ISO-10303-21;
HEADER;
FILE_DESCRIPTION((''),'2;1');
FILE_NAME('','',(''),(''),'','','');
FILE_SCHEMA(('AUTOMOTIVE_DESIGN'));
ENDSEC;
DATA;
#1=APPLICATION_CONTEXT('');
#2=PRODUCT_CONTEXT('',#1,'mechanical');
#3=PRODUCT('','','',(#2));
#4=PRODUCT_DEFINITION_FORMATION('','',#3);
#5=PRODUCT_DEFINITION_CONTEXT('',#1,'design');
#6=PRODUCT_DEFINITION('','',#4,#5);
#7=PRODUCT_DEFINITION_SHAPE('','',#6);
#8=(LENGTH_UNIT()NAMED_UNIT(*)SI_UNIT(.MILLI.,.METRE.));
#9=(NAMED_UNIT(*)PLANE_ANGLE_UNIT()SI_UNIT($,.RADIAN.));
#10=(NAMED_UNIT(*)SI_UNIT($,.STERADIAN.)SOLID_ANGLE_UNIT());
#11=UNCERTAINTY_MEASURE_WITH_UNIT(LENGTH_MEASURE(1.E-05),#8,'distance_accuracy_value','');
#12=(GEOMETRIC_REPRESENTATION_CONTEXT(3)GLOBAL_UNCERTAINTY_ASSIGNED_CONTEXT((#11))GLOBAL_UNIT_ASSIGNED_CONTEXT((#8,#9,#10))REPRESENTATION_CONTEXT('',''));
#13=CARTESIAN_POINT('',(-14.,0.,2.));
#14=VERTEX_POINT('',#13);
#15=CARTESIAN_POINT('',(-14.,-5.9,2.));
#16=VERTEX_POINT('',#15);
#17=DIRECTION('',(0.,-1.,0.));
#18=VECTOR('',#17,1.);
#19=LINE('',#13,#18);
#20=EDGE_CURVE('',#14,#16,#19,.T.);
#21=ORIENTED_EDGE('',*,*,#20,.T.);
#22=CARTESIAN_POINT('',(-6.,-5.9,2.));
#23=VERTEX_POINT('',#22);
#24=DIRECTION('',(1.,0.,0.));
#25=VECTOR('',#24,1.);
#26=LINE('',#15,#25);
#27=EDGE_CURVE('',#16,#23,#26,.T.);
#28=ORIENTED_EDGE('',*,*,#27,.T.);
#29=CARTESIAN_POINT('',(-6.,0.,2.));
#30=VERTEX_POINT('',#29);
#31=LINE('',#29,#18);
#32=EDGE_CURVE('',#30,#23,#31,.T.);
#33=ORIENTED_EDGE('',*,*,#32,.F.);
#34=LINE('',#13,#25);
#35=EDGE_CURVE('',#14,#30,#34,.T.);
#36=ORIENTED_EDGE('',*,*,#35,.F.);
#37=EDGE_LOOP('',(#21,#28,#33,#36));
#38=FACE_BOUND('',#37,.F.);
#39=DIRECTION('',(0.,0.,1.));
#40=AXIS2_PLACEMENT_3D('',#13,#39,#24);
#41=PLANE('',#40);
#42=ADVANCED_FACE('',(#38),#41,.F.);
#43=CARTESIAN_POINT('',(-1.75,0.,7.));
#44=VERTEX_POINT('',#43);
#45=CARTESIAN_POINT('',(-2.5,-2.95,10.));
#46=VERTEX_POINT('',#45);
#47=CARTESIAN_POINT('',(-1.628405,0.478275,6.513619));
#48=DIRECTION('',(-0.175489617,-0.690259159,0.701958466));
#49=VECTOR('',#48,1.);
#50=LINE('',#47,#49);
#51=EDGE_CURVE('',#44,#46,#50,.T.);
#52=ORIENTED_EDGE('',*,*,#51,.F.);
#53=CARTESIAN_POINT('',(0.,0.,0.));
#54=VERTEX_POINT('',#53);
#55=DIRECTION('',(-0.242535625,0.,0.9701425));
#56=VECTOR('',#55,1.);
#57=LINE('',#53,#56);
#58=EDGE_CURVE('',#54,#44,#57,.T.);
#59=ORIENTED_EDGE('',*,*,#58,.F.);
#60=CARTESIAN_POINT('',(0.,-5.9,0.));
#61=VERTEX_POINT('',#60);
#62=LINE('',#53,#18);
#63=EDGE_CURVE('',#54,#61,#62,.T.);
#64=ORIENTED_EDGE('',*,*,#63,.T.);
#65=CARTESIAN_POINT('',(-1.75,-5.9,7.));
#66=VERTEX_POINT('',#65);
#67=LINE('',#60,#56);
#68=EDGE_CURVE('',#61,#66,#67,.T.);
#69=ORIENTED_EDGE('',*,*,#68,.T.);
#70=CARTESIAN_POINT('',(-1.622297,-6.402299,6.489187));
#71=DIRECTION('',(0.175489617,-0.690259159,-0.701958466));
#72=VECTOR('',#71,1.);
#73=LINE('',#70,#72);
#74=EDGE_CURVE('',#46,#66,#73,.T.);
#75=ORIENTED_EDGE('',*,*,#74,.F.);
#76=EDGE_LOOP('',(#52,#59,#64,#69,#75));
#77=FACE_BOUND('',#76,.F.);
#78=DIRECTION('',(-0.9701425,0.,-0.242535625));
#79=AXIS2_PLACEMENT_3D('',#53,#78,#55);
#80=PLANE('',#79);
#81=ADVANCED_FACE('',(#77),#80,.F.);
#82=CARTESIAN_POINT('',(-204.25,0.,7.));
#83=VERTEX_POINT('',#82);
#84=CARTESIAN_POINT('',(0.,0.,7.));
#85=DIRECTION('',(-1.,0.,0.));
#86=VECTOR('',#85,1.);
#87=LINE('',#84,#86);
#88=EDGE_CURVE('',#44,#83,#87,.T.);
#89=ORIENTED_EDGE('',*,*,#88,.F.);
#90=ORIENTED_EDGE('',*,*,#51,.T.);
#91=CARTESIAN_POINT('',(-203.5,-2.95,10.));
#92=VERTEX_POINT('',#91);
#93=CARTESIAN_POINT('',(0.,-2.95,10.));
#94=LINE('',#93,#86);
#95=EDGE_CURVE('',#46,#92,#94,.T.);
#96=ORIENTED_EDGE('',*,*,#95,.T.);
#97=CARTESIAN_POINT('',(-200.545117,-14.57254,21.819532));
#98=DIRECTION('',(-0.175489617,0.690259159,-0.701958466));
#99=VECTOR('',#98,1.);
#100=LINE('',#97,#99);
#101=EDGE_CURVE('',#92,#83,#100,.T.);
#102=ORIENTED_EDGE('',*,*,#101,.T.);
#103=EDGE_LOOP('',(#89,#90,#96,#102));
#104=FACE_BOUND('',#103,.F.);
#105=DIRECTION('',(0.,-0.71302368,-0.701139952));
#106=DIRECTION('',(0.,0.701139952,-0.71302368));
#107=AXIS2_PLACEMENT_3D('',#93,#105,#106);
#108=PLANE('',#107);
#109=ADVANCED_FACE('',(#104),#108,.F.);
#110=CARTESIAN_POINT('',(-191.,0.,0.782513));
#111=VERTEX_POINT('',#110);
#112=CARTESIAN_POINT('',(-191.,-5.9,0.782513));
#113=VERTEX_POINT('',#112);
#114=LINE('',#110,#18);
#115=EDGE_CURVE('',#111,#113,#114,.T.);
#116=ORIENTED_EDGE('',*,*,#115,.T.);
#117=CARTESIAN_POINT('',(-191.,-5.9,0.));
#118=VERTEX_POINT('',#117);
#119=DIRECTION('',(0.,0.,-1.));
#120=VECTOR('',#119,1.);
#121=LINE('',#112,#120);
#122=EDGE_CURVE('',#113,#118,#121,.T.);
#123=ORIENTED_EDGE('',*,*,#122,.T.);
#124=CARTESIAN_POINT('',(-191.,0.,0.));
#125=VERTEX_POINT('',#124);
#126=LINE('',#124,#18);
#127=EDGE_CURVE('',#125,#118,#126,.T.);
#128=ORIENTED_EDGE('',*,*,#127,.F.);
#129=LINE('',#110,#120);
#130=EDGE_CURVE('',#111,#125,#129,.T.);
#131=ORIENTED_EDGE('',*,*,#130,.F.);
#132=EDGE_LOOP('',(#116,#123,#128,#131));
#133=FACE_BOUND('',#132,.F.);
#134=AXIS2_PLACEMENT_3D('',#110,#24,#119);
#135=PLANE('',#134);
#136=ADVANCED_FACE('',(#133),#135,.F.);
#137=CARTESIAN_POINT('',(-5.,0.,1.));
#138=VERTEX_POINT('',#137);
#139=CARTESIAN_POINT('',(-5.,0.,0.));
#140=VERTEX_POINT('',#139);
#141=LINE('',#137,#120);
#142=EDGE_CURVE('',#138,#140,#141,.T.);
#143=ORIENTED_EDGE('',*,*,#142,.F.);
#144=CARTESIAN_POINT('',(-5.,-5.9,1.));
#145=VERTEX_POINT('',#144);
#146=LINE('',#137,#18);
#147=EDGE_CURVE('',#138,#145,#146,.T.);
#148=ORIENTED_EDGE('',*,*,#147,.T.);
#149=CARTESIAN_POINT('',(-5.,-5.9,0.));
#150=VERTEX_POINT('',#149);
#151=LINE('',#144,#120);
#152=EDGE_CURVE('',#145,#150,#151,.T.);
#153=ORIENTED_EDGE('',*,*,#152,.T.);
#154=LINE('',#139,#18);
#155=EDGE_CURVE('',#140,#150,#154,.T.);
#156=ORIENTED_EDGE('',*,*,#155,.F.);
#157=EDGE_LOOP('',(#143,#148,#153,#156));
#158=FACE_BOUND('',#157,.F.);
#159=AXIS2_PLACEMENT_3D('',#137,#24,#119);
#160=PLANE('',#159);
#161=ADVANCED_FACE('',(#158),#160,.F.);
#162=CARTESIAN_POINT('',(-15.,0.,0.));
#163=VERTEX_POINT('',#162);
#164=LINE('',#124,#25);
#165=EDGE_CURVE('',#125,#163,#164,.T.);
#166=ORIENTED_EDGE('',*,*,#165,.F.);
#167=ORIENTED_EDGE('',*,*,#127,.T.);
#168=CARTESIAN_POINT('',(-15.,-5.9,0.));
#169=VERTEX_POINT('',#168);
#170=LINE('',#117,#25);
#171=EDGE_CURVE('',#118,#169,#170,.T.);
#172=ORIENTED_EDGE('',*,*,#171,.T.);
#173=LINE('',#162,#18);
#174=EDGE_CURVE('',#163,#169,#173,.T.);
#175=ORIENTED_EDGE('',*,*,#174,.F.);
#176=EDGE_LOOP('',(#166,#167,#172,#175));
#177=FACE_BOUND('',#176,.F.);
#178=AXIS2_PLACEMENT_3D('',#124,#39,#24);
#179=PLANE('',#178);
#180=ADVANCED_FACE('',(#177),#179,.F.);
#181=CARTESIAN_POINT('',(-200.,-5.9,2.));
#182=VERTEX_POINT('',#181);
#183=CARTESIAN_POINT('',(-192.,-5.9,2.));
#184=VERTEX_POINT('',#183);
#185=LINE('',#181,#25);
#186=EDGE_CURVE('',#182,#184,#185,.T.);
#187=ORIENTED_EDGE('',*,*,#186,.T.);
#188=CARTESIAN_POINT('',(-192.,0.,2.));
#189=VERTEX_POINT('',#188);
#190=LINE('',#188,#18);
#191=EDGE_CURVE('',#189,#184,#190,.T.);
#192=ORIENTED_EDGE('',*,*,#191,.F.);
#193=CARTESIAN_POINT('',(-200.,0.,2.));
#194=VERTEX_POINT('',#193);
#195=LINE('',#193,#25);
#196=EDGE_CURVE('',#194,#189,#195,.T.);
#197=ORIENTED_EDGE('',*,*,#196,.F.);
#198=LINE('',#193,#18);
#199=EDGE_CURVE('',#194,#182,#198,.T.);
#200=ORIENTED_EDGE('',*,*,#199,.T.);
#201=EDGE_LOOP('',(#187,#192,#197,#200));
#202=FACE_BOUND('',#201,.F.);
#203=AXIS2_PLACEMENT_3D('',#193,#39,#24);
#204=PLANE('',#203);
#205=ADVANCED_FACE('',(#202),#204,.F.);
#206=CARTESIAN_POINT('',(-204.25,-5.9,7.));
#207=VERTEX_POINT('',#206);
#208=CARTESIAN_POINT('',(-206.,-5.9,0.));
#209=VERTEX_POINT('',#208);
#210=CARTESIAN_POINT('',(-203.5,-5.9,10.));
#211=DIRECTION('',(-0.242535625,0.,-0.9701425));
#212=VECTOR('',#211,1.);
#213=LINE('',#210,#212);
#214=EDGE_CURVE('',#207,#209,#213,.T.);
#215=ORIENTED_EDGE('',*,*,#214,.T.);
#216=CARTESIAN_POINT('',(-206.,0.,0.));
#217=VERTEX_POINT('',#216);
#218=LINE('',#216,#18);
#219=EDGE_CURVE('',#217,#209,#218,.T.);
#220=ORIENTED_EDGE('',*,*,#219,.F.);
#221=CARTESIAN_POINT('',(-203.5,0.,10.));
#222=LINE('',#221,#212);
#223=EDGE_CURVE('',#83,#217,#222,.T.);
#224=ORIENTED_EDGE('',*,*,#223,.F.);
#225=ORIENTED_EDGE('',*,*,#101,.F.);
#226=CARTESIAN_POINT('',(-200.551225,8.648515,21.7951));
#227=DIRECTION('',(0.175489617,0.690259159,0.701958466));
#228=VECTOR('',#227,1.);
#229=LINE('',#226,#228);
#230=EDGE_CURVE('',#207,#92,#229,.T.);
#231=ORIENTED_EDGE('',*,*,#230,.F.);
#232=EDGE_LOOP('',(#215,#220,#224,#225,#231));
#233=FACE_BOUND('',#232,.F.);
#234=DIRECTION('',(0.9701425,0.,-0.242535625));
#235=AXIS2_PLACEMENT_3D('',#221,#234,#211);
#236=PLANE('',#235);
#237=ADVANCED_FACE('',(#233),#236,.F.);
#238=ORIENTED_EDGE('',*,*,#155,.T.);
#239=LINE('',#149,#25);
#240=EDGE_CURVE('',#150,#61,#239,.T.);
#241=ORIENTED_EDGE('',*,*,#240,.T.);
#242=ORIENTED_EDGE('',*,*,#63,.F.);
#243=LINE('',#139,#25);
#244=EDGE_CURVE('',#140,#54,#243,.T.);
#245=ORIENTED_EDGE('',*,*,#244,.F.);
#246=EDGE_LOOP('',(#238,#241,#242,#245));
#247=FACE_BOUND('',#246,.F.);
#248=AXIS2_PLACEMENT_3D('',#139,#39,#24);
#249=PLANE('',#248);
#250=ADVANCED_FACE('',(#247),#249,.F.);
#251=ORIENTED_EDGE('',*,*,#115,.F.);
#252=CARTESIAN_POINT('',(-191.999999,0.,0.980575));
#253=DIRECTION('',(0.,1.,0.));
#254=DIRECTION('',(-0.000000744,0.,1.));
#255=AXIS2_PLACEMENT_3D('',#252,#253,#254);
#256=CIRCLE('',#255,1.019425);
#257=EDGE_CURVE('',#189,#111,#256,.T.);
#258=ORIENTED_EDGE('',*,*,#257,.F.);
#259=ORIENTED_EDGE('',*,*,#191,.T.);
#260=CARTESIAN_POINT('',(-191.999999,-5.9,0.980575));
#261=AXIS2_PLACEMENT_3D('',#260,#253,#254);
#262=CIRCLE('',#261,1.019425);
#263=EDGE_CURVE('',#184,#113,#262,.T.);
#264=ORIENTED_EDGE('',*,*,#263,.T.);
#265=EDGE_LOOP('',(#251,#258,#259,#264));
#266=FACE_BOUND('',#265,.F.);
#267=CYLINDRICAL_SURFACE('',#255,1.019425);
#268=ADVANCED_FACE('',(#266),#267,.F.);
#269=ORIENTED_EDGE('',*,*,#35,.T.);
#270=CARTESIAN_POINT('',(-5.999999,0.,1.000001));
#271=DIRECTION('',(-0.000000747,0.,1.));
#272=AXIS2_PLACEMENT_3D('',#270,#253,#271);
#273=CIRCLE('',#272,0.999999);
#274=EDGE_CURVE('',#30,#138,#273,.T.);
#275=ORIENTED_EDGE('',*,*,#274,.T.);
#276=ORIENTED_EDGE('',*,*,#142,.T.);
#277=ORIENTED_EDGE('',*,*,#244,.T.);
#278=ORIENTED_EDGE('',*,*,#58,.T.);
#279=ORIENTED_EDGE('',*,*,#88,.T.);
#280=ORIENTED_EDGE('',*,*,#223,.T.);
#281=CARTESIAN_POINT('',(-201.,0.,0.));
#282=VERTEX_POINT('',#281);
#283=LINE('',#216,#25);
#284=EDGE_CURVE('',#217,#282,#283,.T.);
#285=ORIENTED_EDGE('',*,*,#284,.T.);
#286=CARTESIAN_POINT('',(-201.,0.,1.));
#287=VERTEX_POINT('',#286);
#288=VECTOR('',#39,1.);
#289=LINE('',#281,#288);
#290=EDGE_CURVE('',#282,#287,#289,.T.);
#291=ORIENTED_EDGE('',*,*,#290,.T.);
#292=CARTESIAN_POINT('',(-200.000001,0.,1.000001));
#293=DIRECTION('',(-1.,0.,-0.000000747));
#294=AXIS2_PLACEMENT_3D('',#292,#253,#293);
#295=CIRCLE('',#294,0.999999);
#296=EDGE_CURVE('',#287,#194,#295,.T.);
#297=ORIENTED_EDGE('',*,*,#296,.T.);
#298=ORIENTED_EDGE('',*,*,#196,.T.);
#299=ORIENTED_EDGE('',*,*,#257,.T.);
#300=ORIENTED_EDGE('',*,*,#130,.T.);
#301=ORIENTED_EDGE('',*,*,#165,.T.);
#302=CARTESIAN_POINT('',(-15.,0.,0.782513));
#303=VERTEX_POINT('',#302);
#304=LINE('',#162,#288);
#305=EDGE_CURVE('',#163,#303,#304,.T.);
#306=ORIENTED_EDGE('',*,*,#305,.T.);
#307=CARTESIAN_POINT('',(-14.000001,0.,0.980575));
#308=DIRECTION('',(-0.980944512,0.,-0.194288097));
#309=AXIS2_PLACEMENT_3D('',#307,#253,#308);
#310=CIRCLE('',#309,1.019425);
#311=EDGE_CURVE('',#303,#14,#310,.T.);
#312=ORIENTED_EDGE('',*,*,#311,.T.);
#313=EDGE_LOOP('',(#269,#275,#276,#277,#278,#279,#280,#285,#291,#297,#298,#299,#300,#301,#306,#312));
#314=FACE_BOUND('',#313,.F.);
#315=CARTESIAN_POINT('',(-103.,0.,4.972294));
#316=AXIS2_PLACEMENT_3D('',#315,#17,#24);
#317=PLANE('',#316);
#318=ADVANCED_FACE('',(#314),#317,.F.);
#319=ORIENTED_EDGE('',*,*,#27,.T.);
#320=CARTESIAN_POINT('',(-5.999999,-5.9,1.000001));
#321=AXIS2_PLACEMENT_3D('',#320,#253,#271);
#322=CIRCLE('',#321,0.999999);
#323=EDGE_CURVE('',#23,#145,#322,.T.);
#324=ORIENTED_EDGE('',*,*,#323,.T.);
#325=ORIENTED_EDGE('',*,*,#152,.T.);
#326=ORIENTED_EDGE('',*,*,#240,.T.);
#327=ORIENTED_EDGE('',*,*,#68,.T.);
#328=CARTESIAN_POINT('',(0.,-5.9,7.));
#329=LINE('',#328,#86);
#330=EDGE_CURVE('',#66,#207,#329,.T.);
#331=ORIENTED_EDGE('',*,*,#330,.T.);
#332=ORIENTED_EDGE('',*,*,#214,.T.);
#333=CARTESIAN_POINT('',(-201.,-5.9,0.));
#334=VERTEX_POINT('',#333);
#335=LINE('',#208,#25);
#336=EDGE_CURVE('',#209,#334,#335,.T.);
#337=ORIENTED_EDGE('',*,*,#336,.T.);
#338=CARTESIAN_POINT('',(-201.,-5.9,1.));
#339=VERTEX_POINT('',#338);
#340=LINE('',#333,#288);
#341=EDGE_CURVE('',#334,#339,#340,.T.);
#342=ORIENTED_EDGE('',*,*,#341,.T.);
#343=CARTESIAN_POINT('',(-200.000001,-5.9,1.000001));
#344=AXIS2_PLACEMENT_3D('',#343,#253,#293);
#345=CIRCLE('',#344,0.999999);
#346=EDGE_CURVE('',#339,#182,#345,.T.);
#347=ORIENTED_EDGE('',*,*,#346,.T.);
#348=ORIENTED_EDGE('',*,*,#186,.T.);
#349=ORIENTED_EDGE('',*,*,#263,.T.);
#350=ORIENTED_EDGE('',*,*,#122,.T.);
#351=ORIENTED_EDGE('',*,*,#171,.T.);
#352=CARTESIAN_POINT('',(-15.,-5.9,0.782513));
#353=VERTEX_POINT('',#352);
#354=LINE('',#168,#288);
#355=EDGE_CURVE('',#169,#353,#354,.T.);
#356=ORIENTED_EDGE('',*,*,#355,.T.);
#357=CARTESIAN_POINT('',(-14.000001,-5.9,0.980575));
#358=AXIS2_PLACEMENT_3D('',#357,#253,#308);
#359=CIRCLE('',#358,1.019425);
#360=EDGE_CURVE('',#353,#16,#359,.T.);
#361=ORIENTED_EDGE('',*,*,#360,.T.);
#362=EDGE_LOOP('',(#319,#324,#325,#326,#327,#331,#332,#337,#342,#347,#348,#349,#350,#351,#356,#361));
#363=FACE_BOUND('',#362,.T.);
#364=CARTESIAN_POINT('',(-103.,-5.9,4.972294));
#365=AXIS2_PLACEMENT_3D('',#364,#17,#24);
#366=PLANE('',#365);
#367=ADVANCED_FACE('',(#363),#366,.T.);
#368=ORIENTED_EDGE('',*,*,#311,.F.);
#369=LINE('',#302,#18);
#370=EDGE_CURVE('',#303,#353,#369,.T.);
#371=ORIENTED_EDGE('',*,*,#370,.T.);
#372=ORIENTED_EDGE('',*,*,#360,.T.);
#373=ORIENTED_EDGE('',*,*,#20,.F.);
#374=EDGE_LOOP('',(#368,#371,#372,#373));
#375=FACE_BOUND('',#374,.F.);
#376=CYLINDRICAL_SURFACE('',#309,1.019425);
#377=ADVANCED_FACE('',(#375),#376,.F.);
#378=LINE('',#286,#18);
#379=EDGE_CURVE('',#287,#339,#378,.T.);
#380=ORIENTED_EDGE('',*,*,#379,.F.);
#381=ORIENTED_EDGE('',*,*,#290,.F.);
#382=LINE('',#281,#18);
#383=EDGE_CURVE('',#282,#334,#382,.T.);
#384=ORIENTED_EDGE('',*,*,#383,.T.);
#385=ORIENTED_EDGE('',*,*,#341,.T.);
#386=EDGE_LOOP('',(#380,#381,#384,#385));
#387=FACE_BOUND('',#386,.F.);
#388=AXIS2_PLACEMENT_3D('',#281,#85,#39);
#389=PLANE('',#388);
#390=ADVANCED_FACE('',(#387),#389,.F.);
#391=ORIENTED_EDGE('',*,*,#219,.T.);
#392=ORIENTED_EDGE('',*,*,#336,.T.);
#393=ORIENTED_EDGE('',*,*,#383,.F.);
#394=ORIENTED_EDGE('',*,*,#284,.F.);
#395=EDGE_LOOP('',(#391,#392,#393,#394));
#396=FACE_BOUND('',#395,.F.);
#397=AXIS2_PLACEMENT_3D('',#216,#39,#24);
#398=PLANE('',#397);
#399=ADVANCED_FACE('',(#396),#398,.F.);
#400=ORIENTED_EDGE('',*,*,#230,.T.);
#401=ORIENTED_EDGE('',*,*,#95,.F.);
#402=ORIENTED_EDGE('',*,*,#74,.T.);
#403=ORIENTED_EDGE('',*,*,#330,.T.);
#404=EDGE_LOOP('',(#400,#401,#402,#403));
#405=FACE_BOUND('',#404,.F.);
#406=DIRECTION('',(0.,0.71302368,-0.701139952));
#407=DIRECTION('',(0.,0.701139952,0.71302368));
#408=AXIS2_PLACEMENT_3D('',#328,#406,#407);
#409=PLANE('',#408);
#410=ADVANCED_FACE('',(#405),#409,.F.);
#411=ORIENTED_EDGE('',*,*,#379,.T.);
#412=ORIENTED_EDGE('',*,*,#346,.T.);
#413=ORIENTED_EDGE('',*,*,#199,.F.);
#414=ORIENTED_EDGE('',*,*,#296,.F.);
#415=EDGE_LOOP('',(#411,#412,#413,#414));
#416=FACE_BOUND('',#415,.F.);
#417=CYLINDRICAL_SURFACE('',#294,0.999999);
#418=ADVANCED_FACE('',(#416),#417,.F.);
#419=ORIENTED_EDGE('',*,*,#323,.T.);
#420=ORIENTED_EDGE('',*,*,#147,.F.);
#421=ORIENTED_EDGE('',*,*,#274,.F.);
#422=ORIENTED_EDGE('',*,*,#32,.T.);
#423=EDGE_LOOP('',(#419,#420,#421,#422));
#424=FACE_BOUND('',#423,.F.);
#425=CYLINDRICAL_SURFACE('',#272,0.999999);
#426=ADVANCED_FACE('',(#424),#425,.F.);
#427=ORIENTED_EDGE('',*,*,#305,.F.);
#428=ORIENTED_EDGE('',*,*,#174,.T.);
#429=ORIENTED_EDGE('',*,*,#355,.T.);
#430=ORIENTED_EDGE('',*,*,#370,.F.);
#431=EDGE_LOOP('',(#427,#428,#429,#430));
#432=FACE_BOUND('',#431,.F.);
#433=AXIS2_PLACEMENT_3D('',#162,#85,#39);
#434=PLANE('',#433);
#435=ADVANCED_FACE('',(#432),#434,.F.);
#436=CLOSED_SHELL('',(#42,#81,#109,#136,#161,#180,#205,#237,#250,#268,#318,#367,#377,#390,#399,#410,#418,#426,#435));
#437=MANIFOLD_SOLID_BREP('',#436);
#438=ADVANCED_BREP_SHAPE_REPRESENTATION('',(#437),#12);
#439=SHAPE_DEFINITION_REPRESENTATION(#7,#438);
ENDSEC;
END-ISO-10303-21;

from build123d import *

# Parameters (mm, degrees)
F1_DEPTH = 5.9
F3_DEPTH = 300


with BuildPart() as f1:
    # F0 (on Front) → F1 (new body)
    with BuildSketch(Plane.XZ):
        with BuildLine():
            Line((-5, 0), (0, 0))
            Line((0, 0), (-2.5, 10))
            Line((-2.5, 10), (-103, 10))
            Line((-103, 10), (-203.5, 10))
            Line((-203.5, 10), (-206, 0))
            Line((-206, 0), (-201, 0))
            Line((-201, 0), (-201, 1))
            ThreePointArc((-201, 1), (-200.707107, 1.707107), (-200, 2))
            Line((-200, 2), (-192, 2))
            ThreePointArc((-192, 2), (-191.212238, 1.627614), (-191, 0.782513))
            Line((-191, 0.782513), (-191, 0))
            Line((-191, 0), (-15, 0))
            Line((-15, 0), (-15, 0.782513))
            ThreePointArc((-15, 0.782513), (-14.787762, 1.627614), (-14, 2))
            Line((-14, 2), (-6, 2))
            ThreePointArc((-6, 2), (-5.292893, 1.707107), (-5, 1))
            Line((-5, 1), (-5, 0))
        make_face()
    extrude(amount=F1_DEPTH)

    # F2 (on Right) → F3 (cut)
    with BuildSketch(Plane.YZ):
        Polygon((-5.9, 7), (-2.95, 10), (-5.9, 10), align=None)
        Polygon((0, 10), (-2.95, 10), (0, 7), align=None)
    extrude(amount=-F3_DEPTH, mode=Mode.SUBTRACT)


solid = f1.part
